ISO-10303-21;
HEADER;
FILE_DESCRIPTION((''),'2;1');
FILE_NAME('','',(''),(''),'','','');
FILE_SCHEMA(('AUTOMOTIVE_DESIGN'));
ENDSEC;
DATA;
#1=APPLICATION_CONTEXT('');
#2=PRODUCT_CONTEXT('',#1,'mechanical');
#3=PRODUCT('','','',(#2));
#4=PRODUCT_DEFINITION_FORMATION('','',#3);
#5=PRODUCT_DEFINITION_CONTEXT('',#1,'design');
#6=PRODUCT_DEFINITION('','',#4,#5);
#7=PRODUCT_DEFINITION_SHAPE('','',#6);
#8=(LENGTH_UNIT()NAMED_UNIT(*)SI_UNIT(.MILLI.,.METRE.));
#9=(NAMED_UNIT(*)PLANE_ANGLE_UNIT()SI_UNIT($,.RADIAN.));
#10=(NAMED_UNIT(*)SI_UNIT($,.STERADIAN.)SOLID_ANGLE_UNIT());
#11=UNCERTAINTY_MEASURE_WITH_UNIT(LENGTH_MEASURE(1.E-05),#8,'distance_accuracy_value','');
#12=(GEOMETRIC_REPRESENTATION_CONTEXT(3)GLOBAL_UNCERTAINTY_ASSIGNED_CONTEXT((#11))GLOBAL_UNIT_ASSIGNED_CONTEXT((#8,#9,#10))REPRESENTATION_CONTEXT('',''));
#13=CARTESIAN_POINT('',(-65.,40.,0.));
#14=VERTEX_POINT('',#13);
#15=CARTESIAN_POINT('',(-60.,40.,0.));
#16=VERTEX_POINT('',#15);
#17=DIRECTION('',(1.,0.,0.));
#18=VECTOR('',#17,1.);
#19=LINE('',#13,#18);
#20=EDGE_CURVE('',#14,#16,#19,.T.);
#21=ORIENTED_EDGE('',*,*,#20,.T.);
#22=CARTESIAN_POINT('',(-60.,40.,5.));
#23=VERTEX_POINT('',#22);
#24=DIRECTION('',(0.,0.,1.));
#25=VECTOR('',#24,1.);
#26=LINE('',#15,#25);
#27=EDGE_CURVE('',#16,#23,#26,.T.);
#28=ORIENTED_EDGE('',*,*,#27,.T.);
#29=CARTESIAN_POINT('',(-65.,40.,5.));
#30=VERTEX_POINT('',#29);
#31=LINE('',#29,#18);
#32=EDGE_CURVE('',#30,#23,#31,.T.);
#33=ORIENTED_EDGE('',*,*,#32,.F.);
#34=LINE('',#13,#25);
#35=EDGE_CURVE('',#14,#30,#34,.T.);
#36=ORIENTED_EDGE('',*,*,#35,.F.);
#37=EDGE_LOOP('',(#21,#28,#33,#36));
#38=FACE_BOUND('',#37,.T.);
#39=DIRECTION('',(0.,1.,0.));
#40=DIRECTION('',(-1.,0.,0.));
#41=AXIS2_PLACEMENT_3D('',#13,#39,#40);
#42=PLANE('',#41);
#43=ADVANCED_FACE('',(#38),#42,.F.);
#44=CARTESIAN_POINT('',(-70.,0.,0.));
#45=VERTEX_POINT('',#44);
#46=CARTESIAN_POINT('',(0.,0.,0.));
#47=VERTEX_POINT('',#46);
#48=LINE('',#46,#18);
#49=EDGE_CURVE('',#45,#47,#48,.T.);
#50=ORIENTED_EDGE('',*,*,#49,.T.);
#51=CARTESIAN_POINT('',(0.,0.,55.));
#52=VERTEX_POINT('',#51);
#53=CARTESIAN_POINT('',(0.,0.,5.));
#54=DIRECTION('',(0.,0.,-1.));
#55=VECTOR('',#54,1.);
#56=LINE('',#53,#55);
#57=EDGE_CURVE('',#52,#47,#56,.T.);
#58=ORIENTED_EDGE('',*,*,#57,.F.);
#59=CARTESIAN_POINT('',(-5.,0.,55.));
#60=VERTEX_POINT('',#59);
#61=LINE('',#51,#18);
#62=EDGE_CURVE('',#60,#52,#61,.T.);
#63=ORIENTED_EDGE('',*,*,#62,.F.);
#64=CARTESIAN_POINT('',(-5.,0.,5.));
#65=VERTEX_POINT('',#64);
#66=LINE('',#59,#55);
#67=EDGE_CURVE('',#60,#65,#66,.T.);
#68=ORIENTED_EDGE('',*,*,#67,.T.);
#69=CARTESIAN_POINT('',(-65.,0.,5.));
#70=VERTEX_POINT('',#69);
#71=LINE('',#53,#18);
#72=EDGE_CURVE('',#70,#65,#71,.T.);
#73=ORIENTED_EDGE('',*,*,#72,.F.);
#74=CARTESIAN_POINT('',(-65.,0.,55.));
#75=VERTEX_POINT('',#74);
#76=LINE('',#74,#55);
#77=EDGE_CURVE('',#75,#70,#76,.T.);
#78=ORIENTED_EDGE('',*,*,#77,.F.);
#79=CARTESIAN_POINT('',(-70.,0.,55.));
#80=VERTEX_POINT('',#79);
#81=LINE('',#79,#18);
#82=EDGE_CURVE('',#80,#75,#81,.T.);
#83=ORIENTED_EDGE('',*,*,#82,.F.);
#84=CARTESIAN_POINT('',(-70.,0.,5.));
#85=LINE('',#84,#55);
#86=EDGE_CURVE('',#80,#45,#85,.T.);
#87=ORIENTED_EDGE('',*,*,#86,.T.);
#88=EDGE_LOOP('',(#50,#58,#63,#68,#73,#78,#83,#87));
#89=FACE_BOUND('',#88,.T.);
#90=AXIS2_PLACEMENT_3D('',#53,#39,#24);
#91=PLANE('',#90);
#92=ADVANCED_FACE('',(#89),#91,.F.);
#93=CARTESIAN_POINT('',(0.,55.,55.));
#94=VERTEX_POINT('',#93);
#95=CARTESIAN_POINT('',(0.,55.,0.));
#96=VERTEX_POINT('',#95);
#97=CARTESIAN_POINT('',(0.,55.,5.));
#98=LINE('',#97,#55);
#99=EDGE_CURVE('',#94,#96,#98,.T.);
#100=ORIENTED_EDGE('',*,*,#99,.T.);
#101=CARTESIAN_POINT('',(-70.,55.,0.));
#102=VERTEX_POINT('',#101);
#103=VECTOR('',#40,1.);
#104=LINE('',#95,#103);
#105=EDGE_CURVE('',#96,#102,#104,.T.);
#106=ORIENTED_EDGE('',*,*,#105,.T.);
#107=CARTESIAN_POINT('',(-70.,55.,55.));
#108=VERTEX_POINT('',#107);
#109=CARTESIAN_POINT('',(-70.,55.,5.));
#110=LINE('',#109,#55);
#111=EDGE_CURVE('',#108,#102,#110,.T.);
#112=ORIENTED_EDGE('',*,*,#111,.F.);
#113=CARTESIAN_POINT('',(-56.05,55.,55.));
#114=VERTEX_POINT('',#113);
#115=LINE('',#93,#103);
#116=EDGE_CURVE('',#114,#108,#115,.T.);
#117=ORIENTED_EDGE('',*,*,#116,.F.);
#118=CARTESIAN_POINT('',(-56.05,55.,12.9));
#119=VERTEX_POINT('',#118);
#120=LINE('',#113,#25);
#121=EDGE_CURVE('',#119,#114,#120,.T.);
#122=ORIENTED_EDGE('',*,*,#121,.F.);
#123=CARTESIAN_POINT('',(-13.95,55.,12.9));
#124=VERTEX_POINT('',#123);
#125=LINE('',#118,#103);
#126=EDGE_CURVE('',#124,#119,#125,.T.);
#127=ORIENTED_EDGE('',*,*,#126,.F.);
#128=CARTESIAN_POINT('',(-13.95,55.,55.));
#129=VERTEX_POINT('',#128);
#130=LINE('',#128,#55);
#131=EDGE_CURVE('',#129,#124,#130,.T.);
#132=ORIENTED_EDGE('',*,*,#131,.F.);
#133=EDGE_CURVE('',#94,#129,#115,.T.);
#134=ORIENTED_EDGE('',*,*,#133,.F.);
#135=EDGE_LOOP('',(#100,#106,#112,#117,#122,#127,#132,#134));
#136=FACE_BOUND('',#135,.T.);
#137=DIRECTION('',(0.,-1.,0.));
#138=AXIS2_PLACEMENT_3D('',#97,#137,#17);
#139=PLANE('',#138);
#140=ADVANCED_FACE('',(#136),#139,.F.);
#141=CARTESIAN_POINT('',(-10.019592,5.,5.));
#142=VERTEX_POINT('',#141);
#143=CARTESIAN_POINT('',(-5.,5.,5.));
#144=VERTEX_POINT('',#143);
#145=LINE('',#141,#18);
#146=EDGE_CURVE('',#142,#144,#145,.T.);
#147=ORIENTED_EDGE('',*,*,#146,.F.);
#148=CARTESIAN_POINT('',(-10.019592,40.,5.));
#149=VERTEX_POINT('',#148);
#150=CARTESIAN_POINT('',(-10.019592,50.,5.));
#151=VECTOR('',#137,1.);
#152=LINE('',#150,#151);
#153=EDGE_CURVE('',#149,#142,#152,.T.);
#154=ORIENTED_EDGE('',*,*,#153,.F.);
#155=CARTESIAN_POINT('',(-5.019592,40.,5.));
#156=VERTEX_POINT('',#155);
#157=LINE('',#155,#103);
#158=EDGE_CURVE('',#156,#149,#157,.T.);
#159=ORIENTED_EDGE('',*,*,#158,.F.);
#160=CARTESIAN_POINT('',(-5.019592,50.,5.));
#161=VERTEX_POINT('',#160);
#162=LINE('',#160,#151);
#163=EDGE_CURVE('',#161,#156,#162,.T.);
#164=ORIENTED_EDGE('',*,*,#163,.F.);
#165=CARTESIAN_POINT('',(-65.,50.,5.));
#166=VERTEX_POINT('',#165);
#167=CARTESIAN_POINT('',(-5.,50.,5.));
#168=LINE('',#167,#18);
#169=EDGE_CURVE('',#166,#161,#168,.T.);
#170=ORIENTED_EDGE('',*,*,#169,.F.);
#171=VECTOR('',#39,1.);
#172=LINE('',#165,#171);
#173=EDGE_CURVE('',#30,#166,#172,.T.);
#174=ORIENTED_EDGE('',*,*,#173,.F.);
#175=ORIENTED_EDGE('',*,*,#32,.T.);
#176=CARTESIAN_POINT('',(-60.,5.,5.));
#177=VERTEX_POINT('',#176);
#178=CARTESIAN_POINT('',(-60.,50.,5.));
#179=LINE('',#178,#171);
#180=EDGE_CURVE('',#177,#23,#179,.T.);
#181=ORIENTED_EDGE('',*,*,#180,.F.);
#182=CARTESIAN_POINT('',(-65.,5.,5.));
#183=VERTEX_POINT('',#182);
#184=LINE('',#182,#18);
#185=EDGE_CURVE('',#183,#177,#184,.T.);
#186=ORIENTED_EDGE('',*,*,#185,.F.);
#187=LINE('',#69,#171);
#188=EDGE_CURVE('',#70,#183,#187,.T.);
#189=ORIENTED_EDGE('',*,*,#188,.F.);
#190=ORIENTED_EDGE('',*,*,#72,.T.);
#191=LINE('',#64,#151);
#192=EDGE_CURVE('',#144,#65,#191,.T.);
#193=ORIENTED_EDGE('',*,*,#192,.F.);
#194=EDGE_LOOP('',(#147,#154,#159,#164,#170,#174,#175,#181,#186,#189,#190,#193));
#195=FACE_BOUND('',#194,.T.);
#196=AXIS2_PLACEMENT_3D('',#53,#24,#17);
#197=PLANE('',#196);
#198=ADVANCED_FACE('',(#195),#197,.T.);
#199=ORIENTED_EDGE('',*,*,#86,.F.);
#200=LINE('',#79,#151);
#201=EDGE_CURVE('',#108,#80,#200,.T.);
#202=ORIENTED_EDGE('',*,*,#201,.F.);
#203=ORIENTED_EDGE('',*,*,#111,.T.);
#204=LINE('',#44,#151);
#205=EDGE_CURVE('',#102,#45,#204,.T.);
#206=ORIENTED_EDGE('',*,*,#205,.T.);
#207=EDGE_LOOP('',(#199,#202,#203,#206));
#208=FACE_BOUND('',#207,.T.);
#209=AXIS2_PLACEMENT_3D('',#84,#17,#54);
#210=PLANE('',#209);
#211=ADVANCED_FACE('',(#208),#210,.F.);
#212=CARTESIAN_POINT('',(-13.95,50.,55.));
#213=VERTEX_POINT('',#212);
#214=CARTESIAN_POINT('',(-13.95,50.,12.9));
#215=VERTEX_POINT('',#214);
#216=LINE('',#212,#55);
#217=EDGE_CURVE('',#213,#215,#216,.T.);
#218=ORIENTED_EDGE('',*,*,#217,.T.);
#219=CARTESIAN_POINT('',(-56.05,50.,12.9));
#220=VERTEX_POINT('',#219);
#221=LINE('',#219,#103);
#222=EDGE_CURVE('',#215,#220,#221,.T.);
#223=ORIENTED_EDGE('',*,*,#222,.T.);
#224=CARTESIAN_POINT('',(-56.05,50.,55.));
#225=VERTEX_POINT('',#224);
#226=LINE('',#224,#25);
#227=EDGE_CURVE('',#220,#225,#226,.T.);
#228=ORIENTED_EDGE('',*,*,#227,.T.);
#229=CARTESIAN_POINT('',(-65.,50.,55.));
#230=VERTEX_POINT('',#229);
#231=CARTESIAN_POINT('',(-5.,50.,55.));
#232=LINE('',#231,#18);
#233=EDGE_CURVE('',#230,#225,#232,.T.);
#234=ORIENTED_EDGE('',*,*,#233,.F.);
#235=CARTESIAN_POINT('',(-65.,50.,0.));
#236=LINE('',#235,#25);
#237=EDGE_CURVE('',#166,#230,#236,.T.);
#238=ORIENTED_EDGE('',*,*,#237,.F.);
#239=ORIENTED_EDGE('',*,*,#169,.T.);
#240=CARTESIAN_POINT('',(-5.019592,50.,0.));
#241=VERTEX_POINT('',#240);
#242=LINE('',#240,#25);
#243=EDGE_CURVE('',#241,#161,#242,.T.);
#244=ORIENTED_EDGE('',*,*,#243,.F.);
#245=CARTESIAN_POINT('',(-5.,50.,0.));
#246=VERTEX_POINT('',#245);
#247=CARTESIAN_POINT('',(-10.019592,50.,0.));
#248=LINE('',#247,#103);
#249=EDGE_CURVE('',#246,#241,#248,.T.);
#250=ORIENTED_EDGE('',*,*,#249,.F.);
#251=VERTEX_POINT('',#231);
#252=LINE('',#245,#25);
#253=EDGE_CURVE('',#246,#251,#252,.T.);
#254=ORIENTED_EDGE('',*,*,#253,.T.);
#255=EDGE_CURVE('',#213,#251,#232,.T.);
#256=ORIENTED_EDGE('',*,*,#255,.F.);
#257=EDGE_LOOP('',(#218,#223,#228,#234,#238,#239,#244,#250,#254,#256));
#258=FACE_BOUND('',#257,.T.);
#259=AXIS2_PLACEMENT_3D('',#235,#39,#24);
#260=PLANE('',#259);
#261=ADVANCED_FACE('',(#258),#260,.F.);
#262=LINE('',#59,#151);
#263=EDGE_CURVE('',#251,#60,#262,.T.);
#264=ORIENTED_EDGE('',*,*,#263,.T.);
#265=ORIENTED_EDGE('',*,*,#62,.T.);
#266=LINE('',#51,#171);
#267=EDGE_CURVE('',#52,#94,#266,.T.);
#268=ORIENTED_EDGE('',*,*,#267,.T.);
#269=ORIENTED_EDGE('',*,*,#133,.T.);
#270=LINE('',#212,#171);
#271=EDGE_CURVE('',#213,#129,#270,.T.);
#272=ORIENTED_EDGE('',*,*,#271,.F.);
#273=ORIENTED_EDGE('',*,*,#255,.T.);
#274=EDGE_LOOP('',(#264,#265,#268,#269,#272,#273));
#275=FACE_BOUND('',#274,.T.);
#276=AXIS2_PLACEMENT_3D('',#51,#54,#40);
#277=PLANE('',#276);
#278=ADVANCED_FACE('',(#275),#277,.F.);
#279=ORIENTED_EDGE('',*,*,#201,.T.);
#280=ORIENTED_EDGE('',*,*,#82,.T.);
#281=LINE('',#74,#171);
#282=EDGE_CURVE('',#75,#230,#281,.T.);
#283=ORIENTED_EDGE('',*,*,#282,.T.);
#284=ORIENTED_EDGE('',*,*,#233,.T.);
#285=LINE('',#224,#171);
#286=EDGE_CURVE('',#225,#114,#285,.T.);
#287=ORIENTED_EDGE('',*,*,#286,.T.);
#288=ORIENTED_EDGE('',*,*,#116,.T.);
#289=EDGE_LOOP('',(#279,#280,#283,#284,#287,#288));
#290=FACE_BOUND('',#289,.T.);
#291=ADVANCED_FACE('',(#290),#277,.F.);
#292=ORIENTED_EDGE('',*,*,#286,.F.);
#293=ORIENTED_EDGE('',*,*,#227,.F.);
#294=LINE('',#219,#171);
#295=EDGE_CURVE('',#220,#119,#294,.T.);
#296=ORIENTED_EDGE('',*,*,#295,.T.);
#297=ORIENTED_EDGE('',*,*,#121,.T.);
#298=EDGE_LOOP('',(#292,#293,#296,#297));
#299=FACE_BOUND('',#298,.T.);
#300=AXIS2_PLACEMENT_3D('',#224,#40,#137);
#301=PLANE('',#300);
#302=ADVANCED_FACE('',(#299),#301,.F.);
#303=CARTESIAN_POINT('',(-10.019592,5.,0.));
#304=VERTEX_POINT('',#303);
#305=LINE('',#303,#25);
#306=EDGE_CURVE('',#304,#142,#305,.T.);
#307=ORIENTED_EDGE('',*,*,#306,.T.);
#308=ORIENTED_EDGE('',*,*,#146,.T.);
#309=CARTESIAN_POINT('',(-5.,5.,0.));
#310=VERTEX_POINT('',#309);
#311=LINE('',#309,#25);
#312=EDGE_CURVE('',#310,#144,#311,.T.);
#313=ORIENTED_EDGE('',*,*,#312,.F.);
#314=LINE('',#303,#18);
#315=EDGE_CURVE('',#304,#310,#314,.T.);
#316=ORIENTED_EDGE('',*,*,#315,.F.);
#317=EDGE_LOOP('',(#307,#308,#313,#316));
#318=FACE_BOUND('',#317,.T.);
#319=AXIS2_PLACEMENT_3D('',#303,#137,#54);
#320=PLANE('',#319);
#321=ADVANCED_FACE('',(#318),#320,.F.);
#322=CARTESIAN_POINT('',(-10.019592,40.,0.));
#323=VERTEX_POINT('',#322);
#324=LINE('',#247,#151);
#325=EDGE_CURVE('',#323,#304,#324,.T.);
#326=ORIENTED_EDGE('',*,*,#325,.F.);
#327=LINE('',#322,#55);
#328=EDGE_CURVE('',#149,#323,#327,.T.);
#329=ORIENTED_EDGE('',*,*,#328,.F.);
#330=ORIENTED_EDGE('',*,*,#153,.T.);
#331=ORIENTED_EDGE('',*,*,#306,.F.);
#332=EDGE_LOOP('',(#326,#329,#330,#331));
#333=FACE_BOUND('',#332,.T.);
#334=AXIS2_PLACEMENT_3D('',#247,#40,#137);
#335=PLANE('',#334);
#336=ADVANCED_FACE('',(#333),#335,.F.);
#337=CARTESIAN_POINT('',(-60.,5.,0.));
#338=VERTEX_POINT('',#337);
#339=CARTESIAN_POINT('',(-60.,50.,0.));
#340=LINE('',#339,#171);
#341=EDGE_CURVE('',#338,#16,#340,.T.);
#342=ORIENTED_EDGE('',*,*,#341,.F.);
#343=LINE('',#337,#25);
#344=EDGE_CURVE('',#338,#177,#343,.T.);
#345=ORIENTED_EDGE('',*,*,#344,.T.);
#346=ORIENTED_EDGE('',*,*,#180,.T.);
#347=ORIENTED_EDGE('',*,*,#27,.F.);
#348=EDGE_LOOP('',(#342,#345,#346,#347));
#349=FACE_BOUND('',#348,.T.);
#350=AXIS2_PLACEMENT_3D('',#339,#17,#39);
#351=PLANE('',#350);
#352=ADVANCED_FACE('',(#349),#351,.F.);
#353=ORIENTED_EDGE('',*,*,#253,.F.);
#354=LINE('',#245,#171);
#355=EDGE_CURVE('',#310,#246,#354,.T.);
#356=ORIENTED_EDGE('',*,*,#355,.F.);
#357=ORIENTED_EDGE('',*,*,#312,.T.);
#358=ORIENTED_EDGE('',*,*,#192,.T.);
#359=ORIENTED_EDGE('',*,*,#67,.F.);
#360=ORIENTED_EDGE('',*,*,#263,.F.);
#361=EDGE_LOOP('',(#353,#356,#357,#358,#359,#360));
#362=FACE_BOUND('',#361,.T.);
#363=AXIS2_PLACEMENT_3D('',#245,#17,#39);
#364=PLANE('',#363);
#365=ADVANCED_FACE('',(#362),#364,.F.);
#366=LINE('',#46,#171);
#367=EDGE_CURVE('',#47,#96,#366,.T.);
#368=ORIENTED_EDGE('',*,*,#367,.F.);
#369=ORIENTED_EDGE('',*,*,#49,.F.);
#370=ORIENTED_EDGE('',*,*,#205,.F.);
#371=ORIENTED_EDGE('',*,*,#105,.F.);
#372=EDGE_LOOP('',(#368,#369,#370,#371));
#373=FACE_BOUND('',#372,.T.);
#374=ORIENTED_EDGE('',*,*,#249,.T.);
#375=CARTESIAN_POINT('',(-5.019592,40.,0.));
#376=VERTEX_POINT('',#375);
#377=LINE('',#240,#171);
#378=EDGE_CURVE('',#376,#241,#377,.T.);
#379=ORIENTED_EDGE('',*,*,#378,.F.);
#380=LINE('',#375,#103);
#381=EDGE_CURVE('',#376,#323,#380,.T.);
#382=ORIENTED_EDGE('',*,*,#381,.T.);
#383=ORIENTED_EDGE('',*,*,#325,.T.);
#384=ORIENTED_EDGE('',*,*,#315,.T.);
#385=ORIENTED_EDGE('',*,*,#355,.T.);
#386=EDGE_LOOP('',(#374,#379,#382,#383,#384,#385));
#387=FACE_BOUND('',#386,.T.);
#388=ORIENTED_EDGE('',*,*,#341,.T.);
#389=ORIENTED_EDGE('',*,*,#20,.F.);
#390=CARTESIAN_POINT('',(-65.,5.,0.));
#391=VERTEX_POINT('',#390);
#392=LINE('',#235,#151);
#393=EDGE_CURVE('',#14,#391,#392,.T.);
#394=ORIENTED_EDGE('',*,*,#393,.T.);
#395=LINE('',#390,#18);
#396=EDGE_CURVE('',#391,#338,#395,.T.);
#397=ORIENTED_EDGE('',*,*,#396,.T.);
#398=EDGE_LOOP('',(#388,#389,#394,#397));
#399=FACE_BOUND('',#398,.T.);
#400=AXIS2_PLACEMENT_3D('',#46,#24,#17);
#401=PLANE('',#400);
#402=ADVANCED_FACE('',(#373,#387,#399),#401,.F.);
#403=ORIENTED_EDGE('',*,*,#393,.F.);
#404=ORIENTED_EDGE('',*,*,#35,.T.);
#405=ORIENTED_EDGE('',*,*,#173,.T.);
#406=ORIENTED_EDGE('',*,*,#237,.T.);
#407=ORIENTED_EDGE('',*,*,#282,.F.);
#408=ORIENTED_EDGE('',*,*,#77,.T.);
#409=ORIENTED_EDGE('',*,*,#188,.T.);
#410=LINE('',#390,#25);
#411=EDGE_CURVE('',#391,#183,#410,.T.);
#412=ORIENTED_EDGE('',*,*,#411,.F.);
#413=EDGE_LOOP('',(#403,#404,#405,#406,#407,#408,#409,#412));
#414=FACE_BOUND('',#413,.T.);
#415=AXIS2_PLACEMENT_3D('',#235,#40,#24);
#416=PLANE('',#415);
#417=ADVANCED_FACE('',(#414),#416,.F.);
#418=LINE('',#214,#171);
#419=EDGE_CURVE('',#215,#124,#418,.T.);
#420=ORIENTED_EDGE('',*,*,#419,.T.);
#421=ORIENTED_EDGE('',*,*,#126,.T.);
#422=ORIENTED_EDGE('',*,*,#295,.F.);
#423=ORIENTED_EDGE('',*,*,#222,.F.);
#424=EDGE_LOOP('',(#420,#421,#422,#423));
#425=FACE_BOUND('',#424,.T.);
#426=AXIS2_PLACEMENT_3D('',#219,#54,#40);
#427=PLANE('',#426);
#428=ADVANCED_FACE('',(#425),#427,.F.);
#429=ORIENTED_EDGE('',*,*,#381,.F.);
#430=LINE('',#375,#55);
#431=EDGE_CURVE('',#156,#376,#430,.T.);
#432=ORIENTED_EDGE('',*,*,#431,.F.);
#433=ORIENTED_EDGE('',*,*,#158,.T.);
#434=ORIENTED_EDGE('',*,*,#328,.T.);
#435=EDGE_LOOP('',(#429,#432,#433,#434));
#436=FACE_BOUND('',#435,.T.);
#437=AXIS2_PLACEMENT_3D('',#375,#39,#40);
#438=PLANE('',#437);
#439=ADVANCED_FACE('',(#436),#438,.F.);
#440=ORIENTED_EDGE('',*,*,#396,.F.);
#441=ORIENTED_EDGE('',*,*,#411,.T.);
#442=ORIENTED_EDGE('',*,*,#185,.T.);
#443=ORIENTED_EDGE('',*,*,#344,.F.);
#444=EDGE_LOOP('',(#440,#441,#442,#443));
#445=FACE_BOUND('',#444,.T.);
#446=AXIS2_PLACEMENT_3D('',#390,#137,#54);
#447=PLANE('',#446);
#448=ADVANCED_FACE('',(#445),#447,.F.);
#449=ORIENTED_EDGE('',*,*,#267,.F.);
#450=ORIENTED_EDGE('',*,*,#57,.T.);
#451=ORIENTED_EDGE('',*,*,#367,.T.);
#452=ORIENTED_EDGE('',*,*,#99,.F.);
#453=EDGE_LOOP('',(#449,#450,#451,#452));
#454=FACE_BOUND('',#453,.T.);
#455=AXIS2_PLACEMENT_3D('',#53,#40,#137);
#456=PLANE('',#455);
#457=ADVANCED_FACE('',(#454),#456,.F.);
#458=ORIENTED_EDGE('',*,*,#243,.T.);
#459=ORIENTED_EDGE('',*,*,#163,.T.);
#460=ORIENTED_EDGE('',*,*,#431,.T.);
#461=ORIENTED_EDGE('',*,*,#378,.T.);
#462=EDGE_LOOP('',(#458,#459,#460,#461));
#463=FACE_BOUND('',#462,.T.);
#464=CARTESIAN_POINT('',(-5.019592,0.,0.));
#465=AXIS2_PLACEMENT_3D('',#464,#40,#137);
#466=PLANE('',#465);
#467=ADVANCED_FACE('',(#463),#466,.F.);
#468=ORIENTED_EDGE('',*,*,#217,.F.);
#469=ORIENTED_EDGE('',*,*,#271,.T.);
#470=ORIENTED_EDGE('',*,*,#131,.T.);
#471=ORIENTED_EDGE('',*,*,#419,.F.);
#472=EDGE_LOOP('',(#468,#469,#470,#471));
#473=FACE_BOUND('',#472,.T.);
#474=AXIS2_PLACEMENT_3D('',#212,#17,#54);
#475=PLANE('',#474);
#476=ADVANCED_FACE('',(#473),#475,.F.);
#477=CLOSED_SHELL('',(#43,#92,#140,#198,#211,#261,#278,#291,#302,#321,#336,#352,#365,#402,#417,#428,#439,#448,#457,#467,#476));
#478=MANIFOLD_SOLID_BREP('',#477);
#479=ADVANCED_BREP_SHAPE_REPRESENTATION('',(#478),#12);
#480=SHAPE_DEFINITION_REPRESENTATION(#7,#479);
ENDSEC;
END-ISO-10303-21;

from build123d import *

# Parameters (mm, degrees)
SKETCH1_W           = 70
SKETCH1_H           = 55
BOSS_EXTRUDE1_DEPTH = 5
SKETCH2_W           = 5
SKETCH2_H           = 45
SKETCH2_W_2         = 5.019591865
CUT_EXTRUDE1_DEPTH  = 5
BOSS_EXTRUDE4_DEPTH = 50
SKETCH7_W           = 42.1
SKETCH7_H           = 42.1
CUT_EXTRUDE2_DEPTH  = 5
SKETCH9_W           = 5
SKETCH9_H           = 10
BOSS_EXTRUDE5_DEPTH = 5
SKETCH11_W          = 5
SKETCH11_H          = 10
BOSS_EXTRUDE6_DEPTH = 5


with BuildPart() as part:
    # Sketch1 → Boss-Extrude1 (new body)
    with BuildSketch(Plane.XY):
        with Locations((-35, 27.5)):
            Rectangle(SKETCH1_W, SKETCH1_H)
    extrude(amount=BOSS_EXTRUDE1_DEPTH)

    # Sketch2 → Cut-Extrude1 (cut)
    with BuildSketch(Plane.XY.offset(5)):
        with Locations((-62.5, 27.5)):
            Rectangle(SKETCH2_W, SKETCH2_H)
        with Locations((-7.509795933, 27.5)):
            Rectangle(SKETCH2_W_2, SKETCH2_H)
    extrude(amount=-CUT_EXTRUDE1_DEPTH, mode=Mode.SUBTRACT)

    # Sketch6 → Boss-Extrude4 (add)
    with BuildSketch(Plane.XY.offset(5)):
        Polygon((-70, 0), (-65, 0), (-65, 50), (-5, 50), (-5, 0), (0, 0), (0, 55), (-5, 55), (-65, 55), (-70, 55), align=None)
    extrude(amount=BOSS_EXTRUDE4_DEPTH)

    # Sketch7 → Cut-Extrude2 (cut)
    with BuildSketch(Plane(origin=(0, 55, 0), x_dir=(1, 0, 0), z_dir=(0, 1, 0))):
        with Locations((-35, -33.95)):
            Rectangle(SKETCH7_W, SKETCH7_H)
    extrude(amount=-CUT_EXTRUDE2_DEPTH, mode=Mode.SUBTRACT)

    # Sketch9 → Boss-Extrude5 (add)
    with BuildSketch(Plane.ZY.offset(60)):
        with Locations((2.5, 45)):
            Rectangle(SKETCH9_W, SKETCH9_H)
    extrude(amount=BOSS_EXTRUDE5_DEPTH)

    # Sketch11 → Boss-Extrude6 (add)
    with BuildSketch(Plane(origin=(-10.019591865, 0, 0), x_dir=(0, 0, -1), z_dir=(1, 0, 0))):
        with Locations((-2.5, 45)):
            Rectangle(SKETCH11_W, SKETCH11_H)
    extrude(amount=BOSS_EXTRUDE6_DEPTH)


solid = part.part
